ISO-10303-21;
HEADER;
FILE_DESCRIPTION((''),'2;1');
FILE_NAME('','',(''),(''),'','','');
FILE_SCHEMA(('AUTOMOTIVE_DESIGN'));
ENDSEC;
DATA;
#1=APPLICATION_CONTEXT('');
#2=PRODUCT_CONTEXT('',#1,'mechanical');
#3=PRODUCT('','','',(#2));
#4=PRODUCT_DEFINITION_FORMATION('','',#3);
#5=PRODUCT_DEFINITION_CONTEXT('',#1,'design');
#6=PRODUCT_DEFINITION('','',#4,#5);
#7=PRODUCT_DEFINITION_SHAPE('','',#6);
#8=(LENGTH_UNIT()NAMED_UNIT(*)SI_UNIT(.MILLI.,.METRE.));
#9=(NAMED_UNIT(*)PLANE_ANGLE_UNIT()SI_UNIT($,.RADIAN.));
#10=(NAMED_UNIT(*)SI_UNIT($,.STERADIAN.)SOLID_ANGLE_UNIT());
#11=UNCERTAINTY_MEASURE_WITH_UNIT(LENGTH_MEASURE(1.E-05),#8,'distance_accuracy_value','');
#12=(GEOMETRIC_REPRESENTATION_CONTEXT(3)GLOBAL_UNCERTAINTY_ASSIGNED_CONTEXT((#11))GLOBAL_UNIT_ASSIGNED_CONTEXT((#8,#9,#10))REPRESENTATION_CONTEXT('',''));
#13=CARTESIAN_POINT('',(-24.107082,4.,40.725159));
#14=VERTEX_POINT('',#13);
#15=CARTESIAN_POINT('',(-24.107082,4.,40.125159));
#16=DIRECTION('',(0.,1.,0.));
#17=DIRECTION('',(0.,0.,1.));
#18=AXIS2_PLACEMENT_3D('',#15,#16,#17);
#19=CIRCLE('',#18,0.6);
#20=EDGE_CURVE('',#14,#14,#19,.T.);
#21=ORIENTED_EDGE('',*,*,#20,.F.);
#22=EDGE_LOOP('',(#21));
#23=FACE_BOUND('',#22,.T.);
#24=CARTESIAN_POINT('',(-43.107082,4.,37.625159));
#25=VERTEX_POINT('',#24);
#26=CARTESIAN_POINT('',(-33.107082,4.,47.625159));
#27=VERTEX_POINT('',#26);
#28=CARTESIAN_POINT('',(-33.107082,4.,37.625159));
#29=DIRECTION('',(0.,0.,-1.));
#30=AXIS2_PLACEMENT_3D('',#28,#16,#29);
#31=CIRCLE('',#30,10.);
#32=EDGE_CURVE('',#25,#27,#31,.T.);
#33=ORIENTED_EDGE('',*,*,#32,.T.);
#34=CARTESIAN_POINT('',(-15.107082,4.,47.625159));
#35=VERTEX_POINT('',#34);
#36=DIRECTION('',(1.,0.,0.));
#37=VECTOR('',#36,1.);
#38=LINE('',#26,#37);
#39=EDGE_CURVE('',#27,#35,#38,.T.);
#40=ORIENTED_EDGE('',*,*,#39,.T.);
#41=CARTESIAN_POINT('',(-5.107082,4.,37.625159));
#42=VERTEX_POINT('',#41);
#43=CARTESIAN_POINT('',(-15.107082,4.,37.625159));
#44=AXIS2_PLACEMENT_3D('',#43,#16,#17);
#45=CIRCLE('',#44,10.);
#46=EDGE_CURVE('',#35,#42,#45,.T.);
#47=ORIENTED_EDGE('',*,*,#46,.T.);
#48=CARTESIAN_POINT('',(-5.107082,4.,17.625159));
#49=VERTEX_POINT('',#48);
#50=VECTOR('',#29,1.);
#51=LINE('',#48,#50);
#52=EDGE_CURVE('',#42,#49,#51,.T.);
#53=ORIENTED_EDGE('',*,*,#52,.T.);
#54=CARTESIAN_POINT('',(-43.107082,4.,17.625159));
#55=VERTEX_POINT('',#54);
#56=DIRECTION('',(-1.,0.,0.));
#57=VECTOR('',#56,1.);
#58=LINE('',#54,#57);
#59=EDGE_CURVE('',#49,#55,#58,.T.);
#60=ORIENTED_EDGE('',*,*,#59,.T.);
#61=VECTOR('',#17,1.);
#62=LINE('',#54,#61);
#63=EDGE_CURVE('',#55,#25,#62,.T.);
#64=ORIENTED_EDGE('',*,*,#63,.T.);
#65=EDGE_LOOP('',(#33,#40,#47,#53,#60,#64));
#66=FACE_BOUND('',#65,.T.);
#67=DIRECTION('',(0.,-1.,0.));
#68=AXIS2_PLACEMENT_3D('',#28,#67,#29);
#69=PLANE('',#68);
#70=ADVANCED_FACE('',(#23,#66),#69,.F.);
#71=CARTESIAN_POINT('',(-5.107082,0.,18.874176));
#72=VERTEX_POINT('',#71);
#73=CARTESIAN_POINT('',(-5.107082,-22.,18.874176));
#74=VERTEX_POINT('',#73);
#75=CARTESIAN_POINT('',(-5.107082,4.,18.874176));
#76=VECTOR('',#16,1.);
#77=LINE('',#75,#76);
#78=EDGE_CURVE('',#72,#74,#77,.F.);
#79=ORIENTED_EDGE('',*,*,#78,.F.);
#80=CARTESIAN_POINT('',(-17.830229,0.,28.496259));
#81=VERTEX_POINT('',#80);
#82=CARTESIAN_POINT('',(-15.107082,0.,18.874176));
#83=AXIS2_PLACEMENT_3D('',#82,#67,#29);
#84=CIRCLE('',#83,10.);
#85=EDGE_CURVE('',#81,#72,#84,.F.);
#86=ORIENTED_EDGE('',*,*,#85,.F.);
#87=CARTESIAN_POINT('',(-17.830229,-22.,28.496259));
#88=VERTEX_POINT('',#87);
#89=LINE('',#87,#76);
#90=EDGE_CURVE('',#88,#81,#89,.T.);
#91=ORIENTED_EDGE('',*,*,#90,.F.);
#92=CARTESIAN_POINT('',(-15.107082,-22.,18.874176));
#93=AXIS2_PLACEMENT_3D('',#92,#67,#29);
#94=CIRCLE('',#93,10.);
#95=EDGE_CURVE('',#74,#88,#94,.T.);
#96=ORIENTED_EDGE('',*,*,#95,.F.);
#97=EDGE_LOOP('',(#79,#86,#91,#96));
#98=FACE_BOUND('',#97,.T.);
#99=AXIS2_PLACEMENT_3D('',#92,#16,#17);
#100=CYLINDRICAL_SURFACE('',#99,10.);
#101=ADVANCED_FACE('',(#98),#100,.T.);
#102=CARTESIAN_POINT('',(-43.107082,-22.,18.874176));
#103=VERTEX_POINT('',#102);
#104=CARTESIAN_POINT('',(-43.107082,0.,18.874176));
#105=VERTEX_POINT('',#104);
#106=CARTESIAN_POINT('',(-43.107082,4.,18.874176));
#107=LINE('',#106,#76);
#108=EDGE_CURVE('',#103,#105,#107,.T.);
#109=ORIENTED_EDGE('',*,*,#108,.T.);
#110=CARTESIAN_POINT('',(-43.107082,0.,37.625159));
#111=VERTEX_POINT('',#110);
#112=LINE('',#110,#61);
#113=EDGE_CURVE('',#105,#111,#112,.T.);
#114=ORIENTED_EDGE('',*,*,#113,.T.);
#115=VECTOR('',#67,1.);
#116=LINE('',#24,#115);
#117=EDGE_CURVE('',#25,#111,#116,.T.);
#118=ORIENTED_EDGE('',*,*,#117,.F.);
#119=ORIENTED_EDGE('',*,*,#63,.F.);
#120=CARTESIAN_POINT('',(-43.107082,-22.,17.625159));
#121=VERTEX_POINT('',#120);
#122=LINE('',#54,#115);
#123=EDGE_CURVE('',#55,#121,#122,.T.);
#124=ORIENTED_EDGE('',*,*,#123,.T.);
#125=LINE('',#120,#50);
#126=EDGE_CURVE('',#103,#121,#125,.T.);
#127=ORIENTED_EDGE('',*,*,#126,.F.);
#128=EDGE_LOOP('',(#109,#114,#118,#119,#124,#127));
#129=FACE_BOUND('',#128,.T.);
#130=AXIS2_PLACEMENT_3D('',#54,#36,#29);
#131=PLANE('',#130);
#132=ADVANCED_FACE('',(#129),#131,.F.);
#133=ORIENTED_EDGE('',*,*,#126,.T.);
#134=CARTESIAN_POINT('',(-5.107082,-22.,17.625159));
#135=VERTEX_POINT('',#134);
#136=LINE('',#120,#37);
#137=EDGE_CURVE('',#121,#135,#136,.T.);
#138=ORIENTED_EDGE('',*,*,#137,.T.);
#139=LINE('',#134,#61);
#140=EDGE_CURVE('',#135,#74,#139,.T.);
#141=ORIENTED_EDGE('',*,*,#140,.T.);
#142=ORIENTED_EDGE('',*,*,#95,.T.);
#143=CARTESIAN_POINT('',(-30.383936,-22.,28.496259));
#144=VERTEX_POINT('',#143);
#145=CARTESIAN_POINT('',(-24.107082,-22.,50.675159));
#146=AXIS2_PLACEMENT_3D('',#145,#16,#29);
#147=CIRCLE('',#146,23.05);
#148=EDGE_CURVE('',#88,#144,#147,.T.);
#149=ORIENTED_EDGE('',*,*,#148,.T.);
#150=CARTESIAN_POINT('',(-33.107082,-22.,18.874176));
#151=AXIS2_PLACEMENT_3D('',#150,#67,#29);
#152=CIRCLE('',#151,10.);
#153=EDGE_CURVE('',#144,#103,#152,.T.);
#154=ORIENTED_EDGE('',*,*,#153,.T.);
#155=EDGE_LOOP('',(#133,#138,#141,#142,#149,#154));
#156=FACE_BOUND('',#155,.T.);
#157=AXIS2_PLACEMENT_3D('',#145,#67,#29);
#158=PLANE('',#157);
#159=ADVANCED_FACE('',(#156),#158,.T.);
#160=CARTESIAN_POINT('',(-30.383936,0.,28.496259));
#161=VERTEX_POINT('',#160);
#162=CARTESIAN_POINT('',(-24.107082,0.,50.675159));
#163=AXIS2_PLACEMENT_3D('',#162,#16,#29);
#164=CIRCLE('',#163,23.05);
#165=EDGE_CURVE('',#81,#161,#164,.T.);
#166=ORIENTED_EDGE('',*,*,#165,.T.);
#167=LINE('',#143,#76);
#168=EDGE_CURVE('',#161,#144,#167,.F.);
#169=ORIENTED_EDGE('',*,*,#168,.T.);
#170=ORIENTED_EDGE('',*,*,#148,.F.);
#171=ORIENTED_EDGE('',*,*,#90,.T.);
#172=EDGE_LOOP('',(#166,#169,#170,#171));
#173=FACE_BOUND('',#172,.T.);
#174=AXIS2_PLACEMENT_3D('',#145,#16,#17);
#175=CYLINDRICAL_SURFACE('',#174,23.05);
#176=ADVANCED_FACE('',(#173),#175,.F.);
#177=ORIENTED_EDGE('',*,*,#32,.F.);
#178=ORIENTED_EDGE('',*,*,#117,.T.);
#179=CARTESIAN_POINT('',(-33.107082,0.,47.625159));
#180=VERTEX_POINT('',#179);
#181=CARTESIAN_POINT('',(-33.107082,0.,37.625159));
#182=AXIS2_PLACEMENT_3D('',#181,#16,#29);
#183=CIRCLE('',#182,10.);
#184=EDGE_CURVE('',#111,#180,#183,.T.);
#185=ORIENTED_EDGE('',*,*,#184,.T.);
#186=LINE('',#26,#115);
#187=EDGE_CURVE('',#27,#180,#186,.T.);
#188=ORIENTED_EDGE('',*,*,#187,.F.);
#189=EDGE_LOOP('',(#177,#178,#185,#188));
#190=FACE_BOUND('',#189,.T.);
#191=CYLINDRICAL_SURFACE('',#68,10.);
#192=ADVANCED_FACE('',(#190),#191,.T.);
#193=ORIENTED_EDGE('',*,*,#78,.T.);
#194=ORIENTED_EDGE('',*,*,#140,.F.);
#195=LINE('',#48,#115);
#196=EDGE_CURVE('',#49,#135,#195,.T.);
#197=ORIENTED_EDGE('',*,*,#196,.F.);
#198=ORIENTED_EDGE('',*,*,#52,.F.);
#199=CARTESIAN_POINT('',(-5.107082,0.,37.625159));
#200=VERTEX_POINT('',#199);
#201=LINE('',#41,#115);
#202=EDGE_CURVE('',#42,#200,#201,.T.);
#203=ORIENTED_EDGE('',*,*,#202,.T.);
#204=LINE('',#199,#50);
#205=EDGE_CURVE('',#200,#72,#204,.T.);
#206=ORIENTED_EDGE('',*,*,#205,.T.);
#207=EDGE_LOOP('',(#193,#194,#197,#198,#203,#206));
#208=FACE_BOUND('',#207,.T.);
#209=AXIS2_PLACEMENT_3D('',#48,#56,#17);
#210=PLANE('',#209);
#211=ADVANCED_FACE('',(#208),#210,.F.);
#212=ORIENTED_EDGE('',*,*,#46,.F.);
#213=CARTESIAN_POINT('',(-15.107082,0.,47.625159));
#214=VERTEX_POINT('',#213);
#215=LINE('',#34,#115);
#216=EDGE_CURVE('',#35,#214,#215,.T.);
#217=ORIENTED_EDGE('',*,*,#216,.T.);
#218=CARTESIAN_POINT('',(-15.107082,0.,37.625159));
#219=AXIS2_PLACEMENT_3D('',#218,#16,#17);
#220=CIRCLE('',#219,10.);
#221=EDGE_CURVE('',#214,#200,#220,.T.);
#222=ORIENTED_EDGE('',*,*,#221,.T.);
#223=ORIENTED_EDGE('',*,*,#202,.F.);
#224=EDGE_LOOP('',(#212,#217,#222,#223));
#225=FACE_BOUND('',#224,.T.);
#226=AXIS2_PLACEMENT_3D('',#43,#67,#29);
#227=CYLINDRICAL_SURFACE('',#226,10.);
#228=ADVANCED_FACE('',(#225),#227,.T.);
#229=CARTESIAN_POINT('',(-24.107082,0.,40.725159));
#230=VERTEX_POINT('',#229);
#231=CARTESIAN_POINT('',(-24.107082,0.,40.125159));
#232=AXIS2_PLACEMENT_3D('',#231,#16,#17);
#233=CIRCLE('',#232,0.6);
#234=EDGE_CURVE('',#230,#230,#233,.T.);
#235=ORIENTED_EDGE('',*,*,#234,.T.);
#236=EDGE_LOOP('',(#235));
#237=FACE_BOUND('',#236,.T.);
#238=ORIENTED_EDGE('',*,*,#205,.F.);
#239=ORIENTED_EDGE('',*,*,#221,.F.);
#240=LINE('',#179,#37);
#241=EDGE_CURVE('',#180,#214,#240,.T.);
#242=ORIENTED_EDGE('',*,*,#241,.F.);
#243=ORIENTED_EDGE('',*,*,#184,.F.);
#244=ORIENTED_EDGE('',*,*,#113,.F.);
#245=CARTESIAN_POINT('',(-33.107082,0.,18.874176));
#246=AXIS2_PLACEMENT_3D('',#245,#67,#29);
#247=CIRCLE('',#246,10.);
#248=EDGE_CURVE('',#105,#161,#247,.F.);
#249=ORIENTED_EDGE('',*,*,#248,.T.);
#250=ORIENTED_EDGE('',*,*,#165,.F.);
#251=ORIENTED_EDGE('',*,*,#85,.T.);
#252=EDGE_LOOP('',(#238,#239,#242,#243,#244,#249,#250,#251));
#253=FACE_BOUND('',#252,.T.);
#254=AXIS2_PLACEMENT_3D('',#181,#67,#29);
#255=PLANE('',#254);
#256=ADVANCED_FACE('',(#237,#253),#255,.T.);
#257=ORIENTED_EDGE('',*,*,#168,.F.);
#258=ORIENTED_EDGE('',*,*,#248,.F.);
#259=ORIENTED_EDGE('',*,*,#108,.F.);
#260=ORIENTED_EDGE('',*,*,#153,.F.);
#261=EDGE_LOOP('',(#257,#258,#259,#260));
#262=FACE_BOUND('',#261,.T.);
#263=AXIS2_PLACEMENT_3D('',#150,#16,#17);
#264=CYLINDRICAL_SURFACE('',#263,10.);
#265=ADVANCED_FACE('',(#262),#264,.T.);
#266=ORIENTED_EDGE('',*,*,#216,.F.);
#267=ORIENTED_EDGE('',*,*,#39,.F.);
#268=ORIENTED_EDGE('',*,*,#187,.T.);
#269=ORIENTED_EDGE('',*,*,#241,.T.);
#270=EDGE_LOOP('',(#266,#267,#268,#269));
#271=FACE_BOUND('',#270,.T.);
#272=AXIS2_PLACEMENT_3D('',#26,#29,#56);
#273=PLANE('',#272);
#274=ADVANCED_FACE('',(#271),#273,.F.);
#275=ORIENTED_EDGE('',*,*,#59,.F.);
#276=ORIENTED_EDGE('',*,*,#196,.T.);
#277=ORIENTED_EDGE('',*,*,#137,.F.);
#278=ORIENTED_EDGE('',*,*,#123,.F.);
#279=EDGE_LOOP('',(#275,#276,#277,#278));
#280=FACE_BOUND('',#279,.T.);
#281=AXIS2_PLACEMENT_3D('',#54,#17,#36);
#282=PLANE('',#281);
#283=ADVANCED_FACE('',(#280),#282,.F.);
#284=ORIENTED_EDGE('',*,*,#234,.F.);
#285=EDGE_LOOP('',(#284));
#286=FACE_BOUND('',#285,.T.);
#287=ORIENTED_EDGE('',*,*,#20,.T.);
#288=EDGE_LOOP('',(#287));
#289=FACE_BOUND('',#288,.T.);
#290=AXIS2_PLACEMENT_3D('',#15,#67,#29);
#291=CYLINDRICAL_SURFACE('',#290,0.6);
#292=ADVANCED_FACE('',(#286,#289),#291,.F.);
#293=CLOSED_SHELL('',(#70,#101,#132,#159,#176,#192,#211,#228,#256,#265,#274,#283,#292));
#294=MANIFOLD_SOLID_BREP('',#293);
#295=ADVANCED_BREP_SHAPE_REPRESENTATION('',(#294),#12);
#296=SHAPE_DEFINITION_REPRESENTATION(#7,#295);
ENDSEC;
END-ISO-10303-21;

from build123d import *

# Parameters (mm, degrees)
CROQUIS2_R              = 0.6
SALIENTE_EXTRUIR1_DEPTH = 4
SALIENTE_EXTRUIR2_DEPTH = 22
REDONDEO1_R             = 10
REDONDEO2_R             = 10


with BuildPart() as part:
    # Croquis2 → Saliente-Extruir1 (new body)
    with BuildSketch(Plane(origin=(0, 0, 0), x_dir=(1, 0, 0), z_dir=(0, 1, 0))):
        with BuildLine():
            Line((-43.107082341, -17.625158928), (-5.107082341, -17.625158928))
            Line((-5.107082341, -17.625158928), (-5.107082341, -37.625158928))
            ThreePointArc((-5.107082341, -37.625158928), (-8.036014529, -44.69622674), (-15.107082341, -47.625158928))
            Line((-15.107082341, -47.625158928), (-33.107082341, -47.625158928))
            ThreePointArc((-33.107082341, -47.625158928), (-40.178150153, -44.69622674), (-43.107082341, -37.625158928))
            Line((-43.107082341, -37.625158928), (-43.107082341, -17.625158928))
        make_face()
        with Locations(Location((-24.107082341, -40.125158928, 0), (0, 0, 270))):
            Circle(CROQUIS2_R, mode=Mode.SUBTRACT)
    extrude(amount=SALIENTE_EXTRUIR1_DEPTH)

    # Croquis3 → Saliente-Extruir2 (add)
    with BuildSketch(Plane.XZ):
        with BuildLine():
            Line((-43.107082341, 17.625158928), (-5.107082341, 17.625158928))
            Line((-5.107082341, 17.625158928), (-5.107082341, 37.625158928))
            ThreePointArc((-5.107082341, 37.625158928), (-24.107082341, 27.625158928), (-43.107082341, 37.625158928))
            Line((-43.107082341, 37.625158928), (-43.107082341, 17.625158928))
        make_face()
    extrude(amount=SALIENTE_EXTRUIR2_DEPTH)

    # Redondeo1
    redondeo1_edges = [part.edges().sort_by_distance(p)[0] for p in [
        (-43.107082341, -11, 37.625158928),
    ]]
    fillet(redondeo1_edges, radius=REDONDEO1_R)

    # Redondeo2
    redondeo2_edges = [part.edges().sort_by_distance(p)[0] for p in [
        (-5.107082341, -11, 37.625158928),
    ]]
    fillet(redondeo2_edges, radius=REDONDEO2_R)


solid = part.part
